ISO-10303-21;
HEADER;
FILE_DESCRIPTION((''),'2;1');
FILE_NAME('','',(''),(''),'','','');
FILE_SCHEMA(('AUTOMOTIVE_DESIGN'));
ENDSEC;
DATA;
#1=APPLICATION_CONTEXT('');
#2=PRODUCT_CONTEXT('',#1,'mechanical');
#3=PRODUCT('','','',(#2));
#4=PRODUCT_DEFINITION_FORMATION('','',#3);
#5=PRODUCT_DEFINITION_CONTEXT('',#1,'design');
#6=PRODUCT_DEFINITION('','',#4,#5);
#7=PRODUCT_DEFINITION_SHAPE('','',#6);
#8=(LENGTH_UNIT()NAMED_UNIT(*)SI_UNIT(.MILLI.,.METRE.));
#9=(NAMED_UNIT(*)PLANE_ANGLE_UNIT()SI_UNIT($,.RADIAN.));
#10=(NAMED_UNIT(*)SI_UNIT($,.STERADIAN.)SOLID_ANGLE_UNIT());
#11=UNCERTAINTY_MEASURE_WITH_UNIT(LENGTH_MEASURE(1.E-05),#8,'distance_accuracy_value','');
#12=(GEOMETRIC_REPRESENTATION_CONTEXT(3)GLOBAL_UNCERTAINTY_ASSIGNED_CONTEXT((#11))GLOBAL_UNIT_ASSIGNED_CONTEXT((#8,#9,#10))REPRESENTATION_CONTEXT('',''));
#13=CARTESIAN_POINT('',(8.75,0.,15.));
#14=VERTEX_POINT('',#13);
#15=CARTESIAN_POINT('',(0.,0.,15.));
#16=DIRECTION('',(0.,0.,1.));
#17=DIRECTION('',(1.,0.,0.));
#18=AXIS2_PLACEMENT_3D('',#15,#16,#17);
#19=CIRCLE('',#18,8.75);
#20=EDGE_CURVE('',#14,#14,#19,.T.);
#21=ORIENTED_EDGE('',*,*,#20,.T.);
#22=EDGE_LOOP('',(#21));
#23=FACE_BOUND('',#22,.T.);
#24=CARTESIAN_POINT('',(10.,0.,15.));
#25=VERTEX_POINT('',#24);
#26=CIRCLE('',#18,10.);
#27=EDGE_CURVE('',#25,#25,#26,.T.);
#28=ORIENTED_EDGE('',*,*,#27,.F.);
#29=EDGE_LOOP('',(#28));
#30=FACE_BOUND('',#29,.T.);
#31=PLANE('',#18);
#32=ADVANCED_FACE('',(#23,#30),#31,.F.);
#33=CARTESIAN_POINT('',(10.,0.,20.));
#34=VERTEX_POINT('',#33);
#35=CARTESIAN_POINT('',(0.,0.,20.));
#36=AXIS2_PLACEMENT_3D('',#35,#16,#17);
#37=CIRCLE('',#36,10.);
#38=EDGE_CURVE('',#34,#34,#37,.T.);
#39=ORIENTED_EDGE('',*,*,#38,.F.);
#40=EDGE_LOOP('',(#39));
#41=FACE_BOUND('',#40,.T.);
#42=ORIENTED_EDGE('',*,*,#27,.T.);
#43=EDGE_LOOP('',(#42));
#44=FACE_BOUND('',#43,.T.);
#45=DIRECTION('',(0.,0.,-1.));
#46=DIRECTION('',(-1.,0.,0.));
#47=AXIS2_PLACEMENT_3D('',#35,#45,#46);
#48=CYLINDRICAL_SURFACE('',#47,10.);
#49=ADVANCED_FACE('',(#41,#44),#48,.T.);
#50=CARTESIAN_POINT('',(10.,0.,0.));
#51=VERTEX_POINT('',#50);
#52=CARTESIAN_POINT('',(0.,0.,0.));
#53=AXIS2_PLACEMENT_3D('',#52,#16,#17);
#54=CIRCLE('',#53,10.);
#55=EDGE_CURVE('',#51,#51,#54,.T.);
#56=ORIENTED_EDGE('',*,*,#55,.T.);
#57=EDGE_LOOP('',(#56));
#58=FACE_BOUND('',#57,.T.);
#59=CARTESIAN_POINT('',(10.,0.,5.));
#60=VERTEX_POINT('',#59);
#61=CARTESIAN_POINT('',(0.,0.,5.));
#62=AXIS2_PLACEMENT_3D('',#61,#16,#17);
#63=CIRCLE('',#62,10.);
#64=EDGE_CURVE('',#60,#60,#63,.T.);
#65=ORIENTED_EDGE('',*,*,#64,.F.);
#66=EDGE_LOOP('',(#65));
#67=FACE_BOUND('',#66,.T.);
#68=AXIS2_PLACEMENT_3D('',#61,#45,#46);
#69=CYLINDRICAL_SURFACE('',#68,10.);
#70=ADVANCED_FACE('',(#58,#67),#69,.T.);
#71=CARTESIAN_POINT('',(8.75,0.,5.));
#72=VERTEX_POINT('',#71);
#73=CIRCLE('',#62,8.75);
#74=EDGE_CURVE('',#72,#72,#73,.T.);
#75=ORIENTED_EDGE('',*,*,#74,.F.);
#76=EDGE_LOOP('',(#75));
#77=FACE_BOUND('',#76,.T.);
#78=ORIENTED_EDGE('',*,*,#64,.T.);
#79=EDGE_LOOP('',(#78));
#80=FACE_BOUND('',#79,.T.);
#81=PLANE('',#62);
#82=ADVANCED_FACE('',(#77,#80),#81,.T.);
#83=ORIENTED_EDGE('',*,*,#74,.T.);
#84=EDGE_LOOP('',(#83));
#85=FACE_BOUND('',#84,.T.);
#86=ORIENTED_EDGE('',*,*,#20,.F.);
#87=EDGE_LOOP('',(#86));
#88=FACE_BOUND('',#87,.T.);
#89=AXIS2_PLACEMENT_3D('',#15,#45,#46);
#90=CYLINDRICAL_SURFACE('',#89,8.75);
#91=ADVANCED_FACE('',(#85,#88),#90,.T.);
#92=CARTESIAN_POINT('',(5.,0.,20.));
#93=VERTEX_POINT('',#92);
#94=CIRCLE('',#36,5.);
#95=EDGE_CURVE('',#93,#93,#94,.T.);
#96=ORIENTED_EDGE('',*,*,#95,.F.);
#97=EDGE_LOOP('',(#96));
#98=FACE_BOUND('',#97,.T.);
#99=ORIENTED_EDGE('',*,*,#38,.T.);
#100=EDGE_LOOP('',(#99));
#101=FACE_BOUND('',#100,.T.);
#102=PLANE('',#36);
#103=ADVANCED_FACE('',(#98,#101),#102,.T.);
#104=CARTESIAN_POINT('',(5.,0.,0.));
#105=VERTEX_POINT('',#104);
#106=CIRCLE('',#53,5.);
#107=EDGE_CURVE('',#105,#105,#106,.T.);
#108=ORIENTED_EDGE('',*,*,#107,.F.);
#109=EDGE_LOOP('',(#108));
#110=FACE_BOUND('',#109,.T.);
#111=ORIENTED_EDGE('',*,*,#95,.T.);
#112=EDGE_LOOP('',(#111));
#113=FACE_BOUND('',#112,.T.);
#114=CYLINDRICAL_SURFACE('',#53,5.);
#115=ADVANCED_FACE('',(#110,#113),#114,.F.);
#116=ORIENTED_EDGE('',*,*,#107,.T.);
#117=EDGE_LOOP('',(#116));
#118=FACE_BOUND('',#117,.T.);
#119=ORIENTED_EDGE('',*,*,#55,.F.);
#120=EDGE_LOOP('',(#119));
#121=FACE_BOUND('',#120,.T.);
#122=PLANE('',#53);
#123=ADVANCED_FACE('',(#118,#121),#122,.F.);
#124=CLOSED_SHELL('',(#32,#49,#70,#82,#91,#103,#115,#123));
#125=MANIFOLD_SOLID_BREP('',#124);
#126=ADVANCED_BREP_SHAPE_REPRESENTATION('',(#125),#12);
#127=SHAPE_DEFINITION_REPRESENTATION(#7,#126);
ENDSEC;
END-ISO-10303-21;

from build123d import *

# Parameters (mm, degrees)
SKETCH1_R           = 10
BOSS_EXTRUDE1_DEPTH = 5
SKETCH2_R           = 8.75
BOSS_EXTRUDE2_DEPTH = 10
SKETCH3_R           = 10
BOSS_EXTRUDE3_DEPTH = 5
SKETCH4_R           = 5
CUT_EXTRUDE1_DEPTH  = 25.494897428


with BuildPart() as part:
    # Sketch1 → Boss-Extrude1 (new body)
    with BuildSketch(Plane.XY):
        Circle(SKETCH1_R)
    extrude(amount=BOSS_EXTRUDE1_DEPTH)

    # Sketch2 → Boss-Extrude2 (add)
    with BuildSketch(Plane.XY.offset(5)):
        Circle(SKETCH2_R)
    extrude(amount=BOSS_EXTRUDE2_DEPTH)

    # Sketch3 → Boss-Extrude3 (add)
    with BuildSketch(Plane.XY.offset(15)):
        Circle(SKETCH3_R)
    extrude(amount=BOSS_EXTRUDE3_DEPTH)

    # Sketch4 → Cut-Extrude1 (cut, through all)
    with BuildSketch(Plane.XY.offset(20)):
        Circle(SKETCH4_R)
    extrude(amount=-CUT_EXTRUDE1_DEPTH, mode=Mode.SUBTRACT)


solid = part.part
